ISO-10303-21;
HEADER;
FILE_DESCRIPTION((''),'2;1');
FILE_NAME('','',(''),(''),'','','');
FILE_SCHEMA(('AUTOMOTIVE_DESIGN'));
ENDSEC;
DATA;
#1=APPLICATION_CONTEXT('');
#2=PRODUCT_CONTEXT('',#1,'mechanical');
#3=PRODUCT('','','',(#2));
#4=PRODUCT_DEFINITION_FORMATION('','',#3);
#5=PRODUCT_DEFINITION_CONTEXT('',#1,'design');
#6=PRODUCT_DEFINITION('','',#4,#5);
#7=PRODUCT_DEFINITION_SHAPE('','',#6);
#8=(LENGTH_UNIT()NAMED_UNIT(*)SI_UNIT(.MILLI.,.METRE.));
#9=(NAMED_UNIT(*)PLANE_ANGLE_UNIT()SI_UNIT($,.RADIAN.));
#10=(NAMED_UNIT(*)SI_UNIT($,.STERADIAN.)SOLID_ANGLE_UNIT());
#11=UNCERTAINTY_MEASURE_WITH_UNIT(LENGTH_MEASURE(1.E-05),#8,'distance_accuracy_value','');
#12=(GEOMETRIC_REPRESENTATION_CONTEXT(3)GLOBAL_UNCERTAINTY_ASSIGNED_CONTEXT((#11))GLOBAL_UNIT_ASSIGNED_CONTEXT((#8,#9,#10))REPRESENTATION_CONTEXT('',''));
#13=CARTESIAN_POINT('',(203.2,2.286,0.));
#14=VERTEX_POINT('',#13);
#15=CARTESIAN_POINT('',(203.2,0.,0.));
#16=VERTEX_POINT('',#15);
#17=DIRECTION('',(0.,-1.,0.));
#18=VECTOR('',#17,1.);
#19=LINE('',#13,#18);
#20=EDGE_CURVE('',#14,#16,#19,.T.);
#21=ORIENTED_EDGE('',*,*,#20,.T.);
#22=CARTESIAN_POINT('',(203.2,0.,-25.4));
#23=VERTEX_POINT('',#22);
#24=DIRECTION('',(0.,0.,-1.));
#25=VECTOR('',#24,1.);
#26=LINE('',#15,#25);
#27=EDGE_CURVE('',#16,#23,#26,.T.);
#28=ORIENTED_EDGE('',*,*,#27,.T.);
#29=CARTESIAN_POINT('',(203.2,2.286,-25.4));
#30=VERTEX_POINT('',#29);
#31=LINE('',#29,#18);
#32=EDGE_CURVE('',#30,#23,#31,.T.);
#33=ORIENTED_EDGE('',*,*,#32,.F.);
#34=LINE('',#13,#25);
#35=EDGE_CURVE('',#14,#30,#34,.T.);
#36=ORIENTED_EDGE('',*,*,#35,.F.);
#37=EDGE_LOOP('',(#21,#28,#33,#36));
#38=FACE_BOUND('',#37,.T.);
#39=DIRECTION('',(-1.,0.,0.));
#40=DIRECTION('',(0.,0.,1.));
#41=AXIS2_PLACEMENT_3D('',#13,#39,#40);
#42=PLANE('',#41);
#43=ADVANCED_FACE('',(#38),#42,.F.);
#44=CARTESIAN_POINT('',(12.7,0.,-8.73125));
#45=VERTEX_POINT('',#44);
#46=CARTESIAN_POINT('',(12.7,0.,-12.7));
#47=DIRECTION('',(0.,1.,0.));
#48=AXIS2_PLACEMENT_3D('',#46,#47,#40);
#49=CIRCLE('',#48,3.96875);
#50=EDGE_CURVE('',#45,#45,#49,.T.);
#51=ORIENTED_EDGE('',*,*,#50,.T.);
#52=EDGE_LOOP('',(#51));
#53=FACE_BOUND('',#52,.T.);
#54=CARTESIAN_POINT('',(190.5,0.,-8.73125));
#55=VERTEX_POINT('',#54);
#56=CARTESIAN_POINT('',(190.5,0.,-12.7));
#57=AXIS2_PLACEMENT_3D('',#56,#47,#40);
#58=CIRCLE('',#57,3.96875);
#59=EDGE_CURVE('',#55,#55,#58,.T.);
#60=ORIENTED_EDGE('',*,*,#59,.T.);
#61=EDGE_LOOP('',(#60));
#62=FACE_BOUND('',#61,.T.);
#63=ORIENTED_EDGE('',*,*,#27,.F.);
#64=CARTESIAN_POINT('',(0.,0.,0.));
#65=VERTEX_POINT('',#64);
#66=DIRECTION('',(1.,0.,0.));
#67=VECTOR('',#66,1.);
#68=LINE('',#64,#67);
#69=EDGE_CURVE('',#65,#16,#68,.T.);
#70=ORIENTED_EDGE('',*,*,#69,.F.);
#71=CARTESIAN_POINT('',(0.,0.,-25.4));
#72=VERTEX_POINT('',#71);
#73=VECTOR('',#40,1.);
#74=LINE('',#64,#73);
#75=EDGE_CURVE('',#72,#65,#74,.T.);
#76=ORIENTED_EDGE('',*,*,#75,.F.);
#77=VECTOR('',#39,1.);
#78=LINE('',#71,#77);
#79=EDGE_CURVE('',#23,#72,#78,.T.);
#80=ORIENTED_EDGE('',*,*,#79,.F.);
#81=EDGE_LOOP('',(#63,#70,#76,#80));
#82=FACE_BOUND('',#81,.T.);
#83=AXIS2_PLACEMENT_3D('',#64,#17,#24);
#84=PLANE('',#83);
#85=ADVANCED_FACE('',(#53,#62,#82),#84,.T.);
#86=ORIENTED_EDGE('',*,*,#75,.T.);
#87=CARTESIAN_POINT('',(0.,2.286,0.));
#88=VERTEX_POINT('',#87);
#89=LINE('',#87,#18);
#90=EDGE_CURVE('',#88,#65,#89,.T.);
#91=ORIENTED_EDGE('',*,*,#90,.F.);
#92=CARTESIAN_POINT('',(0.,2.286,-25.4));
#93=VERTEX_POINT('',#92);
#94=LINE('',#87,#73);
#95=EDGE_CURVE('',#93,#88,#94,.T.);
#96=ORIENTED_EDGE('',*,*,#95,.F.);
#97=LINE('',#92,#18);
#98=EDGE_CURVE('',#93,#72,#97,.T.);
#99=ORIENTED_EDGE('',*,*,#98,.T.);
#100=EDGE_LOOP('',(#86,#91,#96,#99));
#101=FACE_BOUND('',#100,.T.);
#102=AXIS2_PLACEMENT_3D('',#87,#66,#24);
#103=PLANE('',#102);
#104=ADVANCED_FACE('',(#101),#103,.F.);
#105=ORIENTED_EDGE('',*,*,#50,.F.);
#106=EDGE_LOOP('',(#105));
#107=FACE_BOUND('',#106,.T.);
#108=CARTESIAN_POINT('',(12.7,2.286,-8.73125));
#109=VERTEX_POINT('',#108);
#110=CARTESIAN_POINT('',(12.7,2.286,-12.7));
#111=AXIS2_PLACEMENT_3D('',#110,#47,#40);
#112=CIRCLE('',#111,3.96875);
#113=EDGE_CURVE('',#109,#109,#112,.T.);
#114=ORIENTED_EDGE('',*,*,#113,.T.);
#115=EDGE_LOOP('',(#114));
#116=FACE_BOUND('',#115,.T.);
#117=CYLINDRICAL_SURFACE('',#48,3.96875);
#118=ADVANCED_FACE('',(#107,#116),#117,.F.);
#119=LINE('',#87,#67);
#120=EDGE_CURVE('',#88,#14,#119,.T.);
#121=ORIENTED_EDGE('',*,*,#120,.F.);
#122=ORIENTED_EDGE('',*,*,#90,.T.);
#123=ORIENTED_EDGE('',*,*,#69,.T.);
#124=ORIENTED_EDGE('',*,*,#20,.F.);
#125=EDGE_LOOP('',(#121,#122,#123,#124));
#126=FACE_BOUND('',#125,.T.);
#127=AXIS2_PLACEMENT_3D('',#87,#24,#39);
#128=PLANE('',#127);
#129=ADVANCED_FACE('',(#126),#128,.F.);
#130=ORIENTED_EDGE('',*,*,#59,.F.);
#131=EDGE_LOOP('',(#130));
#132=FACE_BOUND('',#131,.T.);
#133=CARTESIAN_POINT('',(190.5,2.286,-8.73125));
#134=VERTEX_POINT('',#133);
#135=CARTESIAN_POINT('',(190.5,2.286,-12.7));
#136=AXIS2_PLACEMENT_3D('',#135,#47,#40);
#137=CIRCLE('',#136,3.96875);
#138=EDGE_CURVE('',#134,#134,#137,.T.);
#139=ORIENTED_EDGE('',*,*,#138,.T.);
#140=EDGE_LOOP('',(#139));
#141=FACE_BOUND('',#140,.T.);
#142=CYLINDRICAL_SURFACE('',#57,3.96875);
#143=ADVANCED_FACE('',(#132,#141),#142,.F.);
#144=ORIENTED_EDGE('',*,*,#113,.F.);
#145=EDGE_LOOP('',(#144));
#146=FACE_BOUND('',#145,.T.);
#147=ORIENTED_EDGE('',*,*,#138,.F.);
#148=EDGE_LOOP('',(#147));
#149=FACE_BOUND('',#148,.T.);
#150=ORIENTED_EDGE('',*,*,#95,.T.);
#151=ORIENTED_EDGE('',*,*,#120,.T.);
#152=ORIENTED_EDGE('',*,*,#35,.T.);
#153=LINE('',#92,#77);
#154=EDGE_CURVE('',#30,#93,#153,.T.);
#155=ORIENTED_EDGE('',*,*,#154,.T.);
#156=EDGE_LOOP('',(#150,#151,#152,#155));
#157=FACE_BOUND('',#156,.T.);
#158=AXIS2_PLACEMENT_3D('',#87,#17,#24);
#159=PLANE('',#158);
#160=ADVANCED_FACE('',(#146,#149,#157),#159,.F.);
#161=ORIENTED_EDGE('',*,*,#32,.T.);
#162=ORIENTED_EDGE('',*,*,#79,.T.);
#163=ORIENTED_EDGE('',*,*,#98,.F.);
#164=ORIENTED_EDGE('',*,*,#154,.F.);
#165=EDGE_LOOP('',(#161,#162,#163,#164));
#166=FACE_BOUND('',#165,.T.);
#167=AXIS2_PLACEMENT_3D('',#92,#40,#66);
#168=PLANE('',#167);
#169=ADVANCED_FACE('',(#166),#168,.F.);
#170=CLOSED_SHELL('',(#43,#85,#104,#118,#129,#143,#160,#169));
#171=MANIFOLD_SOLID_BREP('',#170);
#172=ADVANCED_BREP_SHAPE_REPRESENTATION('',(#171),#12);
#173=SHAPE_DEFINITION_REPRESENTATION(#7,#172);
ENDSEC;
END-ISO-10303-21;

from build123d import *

# Parameters (mm, degrees)
SKETCH1_W           = 203.2
SKETCH1_H           = 25.4
BOSS_EXTRUDE1_DEPTH = 2.286
SKETCH2_R           = 3.96875
CUT_EXTRUDE1_DEPTH  = 3.286


with BuildPart() as part:
    # Sketch1 → Boss-Extrude1 (new body)
    with BuildSketch(Plane(origin=(0, 0, 0), x_dir=(1, 0, 0), z_dir=(0, 1, 0))):
        with Locations((101.6, 12.7)):
            Rectangle(SKETCH1_W, SKETCH1_H)
    extrude(amount=BOSS_EXTRUDE1_DEPTH)

    # Sketch2 → Cut-Extrude1 (cut, through all)
    with BuildSketch(Plane(origin=(0, 2.286, 0), x_dir=(1, 0, 0), z_dir=(0, 1, 0))):
        with Locations((12.7, 12.7)):
            Circle(SKETCH2_R)
        with Locations((190.5, 12.7)):
            Circle(SKETCH2_R)
    extrude(amount=-CUT_EXTRUDE1_DEPTH, mode=Mode.SUBTRACT)


solid = part.part
